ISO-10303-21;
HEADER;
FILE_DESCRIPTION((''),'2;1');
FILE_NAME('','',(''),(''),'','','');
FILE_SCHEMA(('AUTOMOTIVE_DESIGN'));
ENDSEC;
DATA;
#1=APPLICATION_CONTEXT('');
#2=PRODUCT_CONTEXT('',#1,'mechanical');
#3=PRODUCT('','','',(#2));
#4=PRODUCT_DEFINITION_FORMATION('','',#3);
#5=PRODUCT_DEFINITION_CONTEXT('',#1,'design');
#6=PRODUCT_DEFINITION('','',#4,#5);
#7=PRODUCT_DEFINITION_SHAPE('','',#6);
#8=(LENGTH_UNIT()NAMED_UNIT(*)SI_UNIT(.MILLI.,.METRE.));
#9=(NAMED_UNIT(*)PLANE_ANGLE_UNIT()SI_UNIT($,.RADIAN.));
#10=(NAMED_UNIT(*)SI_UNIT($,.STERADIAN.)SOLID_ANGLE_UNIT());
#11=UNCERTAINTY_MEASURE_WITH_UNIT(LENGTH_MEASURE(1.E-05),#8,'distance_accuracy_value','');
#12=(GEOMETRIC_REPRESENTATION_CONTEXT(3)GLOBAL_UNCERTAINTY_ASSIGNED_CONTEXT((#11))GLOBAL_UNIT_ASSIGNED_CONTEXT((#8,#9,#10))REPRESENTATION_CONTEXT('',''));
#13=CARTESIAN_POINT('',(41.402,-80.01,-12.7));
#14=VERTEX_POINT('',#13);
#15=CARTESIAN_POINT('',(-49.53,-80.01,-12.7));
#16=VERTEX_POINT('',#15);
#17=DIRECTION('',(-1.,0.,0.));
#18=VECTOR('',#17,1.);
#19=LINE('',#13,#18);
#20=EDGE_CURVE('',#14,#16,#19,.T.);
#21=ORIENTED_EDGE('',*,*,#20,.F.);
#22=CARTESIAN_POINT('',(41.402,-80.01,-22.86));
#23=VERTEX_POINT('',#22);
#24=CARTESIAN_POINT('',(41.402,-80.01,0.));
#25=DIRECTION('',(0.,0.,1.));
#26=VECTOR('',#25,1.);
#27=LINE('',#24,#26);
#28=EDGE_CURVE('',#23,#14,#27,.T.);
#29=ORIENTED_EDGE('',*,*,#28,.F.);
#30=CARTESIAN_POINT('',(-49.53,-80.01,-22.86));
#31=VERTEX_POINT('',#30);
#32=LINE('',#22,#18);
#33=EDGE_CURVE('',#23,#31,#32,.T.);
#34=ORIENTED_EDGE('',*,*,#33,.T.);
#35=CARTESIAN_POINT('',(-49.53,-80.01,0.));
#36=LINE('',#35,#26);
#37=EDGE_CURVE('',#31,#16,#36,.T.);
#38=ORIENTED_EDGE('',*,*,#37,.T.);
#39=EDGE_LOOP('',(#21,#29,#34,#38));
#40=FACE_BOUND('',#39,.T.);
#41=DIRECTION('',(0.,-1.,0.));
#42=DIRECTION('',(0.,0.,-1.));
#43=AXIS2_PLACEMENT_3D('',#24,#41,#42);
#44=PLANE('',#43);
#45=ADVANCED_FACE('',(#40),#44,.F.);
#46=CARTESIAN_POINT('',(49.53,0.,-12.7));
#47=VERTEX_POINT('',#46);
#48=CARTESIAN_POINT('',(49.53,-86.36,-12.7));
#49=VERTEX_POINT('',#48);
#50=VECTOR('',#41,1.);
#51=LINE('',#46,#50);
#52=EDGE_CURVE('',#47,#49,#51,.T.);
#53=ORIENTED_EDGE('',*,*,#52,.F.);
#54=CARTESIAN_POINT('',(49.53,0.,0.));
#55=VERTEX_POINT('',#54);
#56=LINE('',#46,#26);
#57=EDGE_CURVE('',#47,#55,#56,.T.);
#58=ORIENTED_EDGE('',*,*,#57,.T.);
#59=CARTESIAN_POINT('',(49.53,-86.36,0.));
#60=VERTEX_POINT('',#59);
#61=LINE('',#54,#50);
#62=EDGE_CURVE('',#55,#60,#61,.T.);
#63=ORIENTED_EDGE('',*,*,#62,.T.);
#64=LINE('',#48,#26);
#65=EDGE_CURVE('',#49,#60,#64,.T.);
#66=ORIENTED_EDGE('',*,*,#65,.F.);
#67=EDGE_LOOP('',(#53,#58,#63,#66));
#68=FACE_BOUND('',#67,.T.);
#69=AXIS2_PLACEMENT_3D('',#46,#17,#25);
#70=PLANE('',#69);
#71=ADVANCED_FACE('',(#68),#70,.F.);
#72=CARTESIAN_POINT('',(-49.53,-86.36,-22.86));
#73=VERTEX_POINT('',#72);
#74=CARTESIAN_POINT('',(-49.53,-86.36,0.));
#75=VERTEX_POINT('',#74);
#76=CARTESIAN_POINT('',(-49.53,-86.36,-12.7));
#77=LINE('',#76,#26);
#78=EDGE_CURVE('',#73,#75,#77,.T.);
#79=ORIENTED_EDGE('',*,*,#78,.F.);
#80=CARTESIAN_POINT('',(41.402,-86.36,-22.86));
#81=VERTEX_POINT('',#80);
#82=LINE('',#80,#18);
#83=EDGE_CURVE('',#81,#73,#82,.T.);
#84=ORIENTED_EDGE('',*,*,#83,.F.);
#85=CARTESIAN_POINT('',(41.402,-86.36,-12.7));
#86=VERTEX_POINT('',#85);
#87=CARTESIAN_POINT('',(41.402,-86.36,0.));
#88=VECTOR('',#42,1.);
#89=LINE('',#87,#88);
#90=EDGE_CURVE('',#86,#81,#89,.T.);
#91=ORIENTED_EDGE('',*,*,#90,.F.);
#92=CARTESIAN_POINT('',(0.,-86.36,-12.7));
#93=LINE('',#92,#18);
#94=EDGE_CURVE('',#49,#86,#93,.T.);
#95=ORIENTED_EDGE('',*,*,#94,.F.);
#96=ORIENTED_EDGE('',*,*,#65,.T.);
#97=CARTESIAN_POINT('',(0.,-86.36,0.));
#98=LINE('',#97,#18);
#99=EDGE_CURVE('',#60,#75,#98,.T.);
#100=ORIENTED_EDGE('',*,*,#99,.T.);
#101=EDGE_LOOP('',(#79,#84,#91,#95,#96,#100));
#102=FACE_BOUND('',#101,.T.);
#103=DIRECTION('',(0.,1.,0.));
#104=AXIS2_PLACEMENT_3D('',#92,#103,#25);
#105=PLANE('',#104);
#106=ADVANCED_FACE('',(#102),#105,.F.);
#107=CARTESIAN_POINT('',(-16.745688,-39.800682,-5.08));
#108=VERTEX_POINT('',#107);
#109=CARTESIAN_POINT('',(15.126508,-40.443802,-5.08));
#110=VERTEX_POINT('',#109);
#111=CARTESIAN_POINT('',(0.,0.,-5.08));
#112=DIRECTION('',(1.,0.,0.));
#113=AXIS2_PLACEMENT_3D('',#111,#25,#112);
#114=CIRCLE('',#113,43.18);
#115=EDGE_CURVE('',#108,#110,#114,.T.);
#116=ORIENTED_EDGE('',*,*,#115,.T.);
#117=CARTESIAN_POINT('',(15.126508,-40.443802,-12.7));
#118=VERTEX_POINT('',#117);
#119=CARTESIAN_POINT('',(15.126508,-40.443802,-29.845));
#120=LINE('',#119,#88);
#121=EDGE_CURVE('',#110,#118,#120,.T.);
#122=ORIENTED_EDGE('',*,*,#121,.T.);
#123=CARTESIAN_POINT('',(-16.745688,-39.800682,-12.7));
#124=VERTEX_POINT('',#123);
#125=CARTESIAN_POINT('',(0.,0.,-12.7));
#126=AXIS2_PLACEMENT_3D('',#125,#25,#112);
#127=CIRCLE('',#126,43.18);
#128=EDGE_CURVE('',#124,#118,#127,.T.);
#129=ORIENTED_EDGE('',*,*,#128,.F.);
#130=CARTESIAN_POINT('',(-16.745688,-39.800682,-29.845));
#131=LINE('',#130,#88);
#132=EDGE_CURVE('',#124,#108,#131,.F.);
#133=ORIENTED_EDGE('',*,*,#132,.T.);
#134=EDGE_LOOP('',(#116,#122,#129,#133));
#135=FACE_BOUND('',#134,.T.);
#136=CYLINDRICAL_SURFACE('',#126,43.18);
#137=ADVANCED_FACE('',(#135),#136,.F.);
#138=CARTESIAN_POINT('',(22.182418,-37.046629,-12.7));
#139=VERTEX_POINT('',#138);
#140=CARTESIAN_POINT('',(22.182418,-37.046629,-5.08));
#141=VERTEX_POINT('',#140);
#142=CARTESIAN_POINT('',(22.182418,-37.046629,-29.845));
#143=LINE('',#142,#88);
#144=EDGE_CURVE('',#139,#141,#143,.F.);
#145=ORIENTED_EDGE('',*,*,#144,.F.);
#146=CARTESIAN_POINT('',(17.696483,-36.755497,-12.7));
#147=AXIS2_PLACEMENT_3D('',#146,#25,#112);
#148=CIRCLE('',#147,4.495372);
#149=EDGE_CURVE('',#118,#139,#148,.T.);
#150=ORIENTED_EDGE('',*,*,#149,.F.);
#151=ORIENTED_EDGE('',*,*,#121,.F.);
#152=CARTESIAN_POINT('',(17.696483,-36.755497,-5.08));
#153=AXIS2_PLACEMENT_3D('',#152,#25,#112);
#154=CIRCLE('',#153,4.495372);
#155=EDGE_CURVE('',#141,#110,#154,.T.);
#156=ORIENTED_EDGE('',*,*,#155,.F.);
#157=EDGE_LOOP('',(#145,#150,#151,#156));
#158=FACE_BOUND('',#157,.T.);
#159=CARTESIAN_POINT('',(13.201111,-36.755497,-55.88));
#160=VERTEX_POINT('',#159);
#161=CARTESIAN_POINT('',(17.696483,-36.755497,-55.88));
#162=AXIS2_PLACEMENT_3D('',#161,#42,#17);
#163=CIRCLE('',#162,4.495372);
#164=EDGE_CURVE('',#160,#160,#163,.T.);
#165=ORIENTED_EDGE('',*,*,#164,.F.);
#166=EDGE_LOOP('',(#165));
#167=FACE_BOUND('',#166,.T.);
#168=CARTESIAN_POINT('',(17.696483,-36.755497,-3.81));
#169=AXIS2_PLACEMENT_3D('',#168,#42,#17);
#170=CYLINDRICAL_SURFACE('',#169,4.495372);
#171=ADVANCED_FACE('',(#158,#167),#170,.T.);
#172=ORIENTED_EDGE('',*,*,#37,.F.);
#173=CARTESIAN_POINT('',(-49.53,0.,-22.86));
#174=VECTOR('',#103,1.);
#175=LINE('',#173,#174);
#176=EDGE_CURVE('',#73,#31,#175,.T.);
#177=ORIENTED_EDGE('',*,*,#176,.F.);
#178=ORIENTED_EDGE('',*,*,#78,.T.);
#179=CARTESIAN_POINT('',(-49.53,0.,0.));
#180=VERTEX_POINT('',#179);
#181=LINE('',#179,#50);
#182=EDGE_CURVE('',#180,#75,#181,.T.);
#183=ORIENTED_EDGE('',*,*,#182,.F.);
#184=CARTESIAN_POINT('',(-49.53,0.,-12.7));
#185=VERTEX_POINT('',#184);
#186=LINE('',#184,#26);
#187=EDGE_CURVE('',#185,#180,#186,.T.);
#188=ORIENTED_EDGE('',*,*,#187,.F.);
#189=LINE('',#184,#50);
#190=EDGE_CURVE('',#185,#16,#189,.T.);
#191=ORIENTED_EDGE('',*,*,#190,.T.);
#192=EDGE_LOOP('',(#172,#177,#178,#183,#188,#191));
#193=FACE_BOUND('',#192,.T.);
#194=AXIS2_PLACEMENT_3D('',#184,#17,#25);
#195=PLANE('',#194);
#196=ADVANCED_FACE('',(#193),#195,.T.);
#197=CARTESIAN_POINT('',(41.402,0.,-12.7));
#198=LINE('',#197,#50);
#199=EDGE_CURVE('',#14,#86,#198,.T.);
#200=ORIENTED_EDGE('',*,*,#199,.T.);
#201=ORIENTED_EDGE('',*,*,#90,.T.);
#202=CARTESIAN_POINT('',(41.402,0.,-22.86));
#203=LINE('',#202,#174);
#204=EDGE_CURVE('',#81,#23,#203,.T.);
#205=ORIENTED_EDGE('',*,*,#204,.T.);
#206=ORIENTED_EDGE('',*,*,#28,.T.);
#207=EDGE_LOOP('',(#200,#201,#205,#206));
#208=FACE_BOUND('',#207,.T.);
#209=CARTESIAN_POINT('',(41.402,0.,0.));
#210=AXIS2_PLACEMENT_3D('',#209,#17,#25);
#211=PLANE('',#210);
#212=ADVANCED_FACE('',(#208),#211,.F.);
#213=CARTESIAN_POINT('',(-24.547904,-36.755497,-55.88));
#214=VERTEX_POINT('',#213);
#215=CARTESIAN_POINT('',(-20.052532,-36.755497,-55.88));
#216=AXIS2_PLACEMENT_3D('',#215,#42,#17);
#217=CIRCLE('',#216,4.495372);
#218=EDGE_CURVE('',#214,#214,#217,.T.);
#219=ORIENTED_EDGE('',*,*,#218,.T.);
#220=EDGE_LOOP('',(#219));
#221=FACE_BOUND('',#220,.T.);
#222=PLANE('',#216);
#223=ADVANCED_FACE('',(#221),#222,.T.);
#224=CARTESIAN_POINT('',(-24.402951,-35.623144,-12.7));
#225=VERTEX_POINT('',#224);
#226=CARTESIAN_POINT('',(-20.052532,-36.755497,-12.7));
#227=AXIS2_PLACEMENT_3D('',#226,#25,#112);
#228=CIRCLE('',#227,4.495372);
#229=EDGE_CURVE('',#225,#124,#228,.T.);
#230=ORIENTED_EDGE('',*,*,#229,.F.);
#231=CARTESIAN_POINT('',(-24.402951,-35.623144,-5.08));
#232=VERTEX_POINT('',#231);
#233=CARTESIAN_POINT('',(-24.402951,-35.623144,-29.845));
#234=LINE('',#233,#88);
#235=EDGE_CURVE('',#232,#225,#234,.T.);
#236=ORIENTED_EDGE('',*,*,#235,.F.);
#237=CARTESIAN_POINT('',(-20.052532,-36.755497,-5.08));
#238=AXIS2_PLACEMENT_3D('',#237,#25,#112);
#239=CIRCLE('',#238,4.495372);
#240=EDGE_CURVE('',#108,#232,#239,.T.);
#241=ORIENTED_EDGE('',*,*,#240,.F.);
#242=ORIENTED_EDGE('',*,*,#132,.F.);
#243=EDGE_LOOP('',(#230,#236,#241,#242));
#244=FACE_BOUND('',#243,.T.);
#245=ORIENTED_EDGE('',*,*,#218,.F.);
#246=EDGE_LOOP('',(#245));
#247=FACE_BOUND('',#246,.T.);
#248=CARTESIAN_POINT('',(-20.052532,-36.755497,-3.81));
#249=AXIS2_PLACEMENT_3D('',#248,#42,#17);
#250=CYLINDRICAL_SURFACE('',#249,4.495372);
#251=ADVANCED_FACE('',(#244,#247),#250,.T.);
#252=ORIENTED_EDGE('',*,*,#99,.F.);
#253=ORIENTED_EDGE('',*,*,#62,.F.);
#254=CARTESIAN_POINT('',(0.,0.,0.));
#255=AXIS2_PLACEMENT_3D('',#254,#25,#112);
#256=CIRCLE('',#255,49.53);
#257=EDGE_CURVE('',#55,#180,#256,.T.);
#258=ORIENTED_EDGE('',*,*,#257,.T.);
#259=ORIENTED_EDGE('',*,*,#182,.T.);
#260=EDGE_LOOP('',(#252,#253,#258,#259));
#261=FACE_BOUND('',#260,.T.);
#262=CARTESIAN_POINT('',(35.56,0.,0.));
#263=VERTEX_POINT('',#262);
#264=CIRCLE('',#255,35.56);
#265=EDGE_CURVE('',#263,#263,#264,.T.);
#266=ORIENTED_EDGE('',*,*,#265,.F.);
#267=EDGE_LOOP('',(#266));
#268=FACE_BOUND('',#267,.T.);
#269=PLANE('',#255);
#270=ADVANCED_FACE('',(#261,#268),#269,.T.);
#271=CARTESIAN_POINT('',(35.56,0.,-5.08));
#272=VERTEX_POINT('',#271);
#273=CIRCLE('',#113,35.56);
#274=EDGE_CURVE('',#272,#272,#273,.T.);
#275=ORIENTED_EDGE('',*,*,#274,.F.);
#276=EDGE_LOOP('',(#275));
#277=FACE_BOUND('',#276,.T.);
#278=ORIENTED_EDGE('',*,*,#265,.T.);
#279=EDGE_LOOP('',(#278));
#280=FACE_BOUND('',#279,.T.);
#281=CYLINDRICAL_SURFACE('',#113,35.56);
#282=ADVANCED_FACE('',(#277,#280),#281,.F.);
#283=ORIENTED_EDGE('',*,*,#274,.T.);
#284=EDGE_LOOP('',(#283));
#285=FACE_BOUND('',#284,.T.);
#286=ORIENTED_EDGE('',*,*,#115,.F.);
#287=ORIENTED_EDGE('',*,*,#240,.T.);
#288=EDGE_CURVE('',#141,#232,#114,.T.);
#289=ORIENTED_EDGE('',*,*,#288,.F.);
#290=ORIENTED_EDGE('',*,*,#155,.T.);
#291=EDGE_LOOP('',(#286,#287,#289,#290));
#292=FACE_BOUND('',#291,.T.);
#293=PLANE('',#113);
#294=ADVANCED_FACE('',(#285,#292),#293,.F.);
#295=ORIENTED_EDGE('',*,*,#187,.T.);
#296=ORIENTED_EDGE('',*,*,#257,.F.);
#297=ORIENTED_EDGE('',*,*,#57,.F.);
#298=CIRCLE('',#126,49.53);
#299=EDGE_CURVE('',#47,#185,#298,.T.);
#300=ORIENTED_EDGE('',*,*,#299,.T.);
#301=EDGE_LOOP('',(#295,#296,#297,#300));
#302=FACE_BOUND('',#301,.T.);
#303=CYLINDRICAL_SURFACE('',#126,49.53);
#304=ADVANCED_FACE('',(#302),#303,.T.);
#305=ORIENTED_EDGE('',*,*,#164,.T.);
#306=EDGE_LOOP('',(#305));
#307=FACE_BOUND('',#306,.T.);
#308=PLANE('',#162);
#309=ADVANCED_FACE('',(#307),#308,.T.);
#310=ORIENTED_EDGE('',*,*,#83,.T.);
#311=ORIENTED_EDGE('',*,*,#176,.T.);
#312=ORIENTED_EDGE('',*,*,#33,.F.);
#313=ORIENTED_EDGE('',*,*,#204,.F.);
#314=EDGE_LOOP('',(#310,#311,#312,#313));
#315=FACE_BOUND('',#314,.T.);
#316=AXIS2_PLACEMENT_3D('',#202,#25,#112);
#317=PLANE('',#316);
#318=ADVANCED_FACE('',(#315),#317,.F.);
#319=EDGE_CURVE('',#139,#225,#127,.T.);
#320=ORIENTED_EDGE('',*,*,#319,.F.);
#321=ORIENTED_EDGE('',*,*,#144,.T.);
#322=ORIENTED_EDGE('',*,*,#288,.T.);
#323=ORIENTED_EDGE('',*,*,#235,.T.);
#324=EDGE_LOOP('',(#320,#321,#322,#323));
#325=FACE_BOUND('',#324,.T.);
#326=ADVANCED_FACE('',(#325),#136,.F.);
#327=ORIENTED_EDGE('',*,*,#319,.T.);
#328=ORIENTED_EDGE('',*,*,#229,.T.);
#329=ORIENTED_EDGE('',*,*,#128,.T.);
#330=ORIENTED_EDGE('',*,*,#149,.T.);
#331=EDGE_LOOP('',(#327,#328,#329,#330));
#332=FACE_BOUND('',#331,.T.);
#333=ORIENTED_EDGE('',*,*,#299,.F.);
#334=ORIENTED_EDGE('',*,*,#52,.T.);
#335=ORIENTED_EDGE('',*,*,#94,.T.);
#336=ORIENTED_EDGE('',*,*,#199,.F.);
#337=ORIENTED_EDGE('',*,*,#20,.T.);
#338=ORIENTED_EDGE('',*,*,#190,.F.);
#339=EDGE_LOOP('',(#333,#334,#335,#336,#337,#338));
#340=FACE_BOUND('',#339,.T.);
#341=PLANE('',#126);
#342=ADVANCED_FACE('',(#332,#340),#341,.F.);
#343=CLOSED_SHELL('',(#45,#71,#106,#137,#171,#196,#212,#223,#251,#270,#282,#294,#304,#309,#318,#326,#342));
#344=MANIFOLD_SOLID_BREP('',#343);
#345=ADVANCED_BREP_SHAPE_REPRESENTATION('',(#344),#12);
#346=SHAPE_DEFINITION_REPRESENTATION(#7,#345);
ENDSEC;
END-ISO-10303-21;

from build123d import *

# Parameters (mm, degrees)
SKETCH1_R                = 43.18
SKETCH1_R_2              = 35.56
BOSS_EXTRUDE1_DEPTH      = 5.08
SKETCH1_4_R              = 49.53
SKETCH1_4_R_2            = 43.18
BOSS_EXTRUDE2_DEPTH      = 12.7
BOSS_EXTRUDE3_DEPTH      = 12.7
SKETCH3_W                = 10.16
SKETCH3_H                = 6.35
BOSS_EXTRUDE4_DEPTH      = 90.932
BOSS_EXTRUDE5_DEPTH      = 43.18
BOSS_EXTRUDE5_DEPTH_BACK = 8.89
SKETCH4_R                = 4.495372053


with BuildPart() as part:
    # Sketch1 → Boss-Extrude1 (new body)
    with BuildSketch(Plane.XY):
        Circle(SKETCH1_R)
        Circle(SKETCH1_R_2, mode=Mode.SUBTRACT)
    extrude(amount=-BOSS_EXTRUDE1_DEPTH)

    # Sketch1<4> → Boss-Extrude2 (add)
    with BuildSketch(Plane.XY):
        Circle(SKETCH1_4_R)
        Circle(SKETCH1_4_R_2, mode=Mode.SUBTRACT)
    extrude(amount=-BOSS_EXTRUDE2_DEPTH)

    # Sketch2 → Boss-Extrude3 (add)
    with BuildSketch(Plane.XY):
        with BuildLine():
            ThreePointArc((49.53, 0), (0, -49.53), (-49.53, 0))
            Line((-49.53, 0), (-49.53, -49.53))
            Line((-49.53, -49.53), (-49.53, -86.36))
            Line((-49.53, -86.36), (0, -86.36))
            Line((0, -86.36), (49.53, -86.36))
            Line((49.53, -86.36), (49.53, 0))
        make_face()
    extrude(amount=-BOSS_EXTRUDE3_DEPTH)

    # Sketch3 → Boss-Extrude4 (add)
    with BuildSketch(Plane.ZY.offset(49.53)):
        with Locations((-17.78, -83.185)):
            Rectangle(SKETCH3_W, SKETCH3_H)
    extrude(amount=-BOSS_EXTRUDE4_DEPTH)

    # Sketch4 → Boss-Extrude5 (add, two sides: drawn at the far end of the back side and taken through both)
    with BuildSketch(Plane(origin=(0, 0, -12.7), x_dir=(-1, 0, 0), z_dir=(0, 0, -1)).offset(-BOSS_EXTRUDE5_DEPTH_BACK)):
        with Locations((-17.696483248, -36.755496611)):
            Circle(SKETCH4_R)
        with Locations((20.052531589, -36.755496611)):
            Circle(SKETCH4_R)
    extrude(amount=BOSS_EXTRUDE5_DEPTH + BOSS_EXTRUDE5_DEPTH_BACK)


solid = part.part
